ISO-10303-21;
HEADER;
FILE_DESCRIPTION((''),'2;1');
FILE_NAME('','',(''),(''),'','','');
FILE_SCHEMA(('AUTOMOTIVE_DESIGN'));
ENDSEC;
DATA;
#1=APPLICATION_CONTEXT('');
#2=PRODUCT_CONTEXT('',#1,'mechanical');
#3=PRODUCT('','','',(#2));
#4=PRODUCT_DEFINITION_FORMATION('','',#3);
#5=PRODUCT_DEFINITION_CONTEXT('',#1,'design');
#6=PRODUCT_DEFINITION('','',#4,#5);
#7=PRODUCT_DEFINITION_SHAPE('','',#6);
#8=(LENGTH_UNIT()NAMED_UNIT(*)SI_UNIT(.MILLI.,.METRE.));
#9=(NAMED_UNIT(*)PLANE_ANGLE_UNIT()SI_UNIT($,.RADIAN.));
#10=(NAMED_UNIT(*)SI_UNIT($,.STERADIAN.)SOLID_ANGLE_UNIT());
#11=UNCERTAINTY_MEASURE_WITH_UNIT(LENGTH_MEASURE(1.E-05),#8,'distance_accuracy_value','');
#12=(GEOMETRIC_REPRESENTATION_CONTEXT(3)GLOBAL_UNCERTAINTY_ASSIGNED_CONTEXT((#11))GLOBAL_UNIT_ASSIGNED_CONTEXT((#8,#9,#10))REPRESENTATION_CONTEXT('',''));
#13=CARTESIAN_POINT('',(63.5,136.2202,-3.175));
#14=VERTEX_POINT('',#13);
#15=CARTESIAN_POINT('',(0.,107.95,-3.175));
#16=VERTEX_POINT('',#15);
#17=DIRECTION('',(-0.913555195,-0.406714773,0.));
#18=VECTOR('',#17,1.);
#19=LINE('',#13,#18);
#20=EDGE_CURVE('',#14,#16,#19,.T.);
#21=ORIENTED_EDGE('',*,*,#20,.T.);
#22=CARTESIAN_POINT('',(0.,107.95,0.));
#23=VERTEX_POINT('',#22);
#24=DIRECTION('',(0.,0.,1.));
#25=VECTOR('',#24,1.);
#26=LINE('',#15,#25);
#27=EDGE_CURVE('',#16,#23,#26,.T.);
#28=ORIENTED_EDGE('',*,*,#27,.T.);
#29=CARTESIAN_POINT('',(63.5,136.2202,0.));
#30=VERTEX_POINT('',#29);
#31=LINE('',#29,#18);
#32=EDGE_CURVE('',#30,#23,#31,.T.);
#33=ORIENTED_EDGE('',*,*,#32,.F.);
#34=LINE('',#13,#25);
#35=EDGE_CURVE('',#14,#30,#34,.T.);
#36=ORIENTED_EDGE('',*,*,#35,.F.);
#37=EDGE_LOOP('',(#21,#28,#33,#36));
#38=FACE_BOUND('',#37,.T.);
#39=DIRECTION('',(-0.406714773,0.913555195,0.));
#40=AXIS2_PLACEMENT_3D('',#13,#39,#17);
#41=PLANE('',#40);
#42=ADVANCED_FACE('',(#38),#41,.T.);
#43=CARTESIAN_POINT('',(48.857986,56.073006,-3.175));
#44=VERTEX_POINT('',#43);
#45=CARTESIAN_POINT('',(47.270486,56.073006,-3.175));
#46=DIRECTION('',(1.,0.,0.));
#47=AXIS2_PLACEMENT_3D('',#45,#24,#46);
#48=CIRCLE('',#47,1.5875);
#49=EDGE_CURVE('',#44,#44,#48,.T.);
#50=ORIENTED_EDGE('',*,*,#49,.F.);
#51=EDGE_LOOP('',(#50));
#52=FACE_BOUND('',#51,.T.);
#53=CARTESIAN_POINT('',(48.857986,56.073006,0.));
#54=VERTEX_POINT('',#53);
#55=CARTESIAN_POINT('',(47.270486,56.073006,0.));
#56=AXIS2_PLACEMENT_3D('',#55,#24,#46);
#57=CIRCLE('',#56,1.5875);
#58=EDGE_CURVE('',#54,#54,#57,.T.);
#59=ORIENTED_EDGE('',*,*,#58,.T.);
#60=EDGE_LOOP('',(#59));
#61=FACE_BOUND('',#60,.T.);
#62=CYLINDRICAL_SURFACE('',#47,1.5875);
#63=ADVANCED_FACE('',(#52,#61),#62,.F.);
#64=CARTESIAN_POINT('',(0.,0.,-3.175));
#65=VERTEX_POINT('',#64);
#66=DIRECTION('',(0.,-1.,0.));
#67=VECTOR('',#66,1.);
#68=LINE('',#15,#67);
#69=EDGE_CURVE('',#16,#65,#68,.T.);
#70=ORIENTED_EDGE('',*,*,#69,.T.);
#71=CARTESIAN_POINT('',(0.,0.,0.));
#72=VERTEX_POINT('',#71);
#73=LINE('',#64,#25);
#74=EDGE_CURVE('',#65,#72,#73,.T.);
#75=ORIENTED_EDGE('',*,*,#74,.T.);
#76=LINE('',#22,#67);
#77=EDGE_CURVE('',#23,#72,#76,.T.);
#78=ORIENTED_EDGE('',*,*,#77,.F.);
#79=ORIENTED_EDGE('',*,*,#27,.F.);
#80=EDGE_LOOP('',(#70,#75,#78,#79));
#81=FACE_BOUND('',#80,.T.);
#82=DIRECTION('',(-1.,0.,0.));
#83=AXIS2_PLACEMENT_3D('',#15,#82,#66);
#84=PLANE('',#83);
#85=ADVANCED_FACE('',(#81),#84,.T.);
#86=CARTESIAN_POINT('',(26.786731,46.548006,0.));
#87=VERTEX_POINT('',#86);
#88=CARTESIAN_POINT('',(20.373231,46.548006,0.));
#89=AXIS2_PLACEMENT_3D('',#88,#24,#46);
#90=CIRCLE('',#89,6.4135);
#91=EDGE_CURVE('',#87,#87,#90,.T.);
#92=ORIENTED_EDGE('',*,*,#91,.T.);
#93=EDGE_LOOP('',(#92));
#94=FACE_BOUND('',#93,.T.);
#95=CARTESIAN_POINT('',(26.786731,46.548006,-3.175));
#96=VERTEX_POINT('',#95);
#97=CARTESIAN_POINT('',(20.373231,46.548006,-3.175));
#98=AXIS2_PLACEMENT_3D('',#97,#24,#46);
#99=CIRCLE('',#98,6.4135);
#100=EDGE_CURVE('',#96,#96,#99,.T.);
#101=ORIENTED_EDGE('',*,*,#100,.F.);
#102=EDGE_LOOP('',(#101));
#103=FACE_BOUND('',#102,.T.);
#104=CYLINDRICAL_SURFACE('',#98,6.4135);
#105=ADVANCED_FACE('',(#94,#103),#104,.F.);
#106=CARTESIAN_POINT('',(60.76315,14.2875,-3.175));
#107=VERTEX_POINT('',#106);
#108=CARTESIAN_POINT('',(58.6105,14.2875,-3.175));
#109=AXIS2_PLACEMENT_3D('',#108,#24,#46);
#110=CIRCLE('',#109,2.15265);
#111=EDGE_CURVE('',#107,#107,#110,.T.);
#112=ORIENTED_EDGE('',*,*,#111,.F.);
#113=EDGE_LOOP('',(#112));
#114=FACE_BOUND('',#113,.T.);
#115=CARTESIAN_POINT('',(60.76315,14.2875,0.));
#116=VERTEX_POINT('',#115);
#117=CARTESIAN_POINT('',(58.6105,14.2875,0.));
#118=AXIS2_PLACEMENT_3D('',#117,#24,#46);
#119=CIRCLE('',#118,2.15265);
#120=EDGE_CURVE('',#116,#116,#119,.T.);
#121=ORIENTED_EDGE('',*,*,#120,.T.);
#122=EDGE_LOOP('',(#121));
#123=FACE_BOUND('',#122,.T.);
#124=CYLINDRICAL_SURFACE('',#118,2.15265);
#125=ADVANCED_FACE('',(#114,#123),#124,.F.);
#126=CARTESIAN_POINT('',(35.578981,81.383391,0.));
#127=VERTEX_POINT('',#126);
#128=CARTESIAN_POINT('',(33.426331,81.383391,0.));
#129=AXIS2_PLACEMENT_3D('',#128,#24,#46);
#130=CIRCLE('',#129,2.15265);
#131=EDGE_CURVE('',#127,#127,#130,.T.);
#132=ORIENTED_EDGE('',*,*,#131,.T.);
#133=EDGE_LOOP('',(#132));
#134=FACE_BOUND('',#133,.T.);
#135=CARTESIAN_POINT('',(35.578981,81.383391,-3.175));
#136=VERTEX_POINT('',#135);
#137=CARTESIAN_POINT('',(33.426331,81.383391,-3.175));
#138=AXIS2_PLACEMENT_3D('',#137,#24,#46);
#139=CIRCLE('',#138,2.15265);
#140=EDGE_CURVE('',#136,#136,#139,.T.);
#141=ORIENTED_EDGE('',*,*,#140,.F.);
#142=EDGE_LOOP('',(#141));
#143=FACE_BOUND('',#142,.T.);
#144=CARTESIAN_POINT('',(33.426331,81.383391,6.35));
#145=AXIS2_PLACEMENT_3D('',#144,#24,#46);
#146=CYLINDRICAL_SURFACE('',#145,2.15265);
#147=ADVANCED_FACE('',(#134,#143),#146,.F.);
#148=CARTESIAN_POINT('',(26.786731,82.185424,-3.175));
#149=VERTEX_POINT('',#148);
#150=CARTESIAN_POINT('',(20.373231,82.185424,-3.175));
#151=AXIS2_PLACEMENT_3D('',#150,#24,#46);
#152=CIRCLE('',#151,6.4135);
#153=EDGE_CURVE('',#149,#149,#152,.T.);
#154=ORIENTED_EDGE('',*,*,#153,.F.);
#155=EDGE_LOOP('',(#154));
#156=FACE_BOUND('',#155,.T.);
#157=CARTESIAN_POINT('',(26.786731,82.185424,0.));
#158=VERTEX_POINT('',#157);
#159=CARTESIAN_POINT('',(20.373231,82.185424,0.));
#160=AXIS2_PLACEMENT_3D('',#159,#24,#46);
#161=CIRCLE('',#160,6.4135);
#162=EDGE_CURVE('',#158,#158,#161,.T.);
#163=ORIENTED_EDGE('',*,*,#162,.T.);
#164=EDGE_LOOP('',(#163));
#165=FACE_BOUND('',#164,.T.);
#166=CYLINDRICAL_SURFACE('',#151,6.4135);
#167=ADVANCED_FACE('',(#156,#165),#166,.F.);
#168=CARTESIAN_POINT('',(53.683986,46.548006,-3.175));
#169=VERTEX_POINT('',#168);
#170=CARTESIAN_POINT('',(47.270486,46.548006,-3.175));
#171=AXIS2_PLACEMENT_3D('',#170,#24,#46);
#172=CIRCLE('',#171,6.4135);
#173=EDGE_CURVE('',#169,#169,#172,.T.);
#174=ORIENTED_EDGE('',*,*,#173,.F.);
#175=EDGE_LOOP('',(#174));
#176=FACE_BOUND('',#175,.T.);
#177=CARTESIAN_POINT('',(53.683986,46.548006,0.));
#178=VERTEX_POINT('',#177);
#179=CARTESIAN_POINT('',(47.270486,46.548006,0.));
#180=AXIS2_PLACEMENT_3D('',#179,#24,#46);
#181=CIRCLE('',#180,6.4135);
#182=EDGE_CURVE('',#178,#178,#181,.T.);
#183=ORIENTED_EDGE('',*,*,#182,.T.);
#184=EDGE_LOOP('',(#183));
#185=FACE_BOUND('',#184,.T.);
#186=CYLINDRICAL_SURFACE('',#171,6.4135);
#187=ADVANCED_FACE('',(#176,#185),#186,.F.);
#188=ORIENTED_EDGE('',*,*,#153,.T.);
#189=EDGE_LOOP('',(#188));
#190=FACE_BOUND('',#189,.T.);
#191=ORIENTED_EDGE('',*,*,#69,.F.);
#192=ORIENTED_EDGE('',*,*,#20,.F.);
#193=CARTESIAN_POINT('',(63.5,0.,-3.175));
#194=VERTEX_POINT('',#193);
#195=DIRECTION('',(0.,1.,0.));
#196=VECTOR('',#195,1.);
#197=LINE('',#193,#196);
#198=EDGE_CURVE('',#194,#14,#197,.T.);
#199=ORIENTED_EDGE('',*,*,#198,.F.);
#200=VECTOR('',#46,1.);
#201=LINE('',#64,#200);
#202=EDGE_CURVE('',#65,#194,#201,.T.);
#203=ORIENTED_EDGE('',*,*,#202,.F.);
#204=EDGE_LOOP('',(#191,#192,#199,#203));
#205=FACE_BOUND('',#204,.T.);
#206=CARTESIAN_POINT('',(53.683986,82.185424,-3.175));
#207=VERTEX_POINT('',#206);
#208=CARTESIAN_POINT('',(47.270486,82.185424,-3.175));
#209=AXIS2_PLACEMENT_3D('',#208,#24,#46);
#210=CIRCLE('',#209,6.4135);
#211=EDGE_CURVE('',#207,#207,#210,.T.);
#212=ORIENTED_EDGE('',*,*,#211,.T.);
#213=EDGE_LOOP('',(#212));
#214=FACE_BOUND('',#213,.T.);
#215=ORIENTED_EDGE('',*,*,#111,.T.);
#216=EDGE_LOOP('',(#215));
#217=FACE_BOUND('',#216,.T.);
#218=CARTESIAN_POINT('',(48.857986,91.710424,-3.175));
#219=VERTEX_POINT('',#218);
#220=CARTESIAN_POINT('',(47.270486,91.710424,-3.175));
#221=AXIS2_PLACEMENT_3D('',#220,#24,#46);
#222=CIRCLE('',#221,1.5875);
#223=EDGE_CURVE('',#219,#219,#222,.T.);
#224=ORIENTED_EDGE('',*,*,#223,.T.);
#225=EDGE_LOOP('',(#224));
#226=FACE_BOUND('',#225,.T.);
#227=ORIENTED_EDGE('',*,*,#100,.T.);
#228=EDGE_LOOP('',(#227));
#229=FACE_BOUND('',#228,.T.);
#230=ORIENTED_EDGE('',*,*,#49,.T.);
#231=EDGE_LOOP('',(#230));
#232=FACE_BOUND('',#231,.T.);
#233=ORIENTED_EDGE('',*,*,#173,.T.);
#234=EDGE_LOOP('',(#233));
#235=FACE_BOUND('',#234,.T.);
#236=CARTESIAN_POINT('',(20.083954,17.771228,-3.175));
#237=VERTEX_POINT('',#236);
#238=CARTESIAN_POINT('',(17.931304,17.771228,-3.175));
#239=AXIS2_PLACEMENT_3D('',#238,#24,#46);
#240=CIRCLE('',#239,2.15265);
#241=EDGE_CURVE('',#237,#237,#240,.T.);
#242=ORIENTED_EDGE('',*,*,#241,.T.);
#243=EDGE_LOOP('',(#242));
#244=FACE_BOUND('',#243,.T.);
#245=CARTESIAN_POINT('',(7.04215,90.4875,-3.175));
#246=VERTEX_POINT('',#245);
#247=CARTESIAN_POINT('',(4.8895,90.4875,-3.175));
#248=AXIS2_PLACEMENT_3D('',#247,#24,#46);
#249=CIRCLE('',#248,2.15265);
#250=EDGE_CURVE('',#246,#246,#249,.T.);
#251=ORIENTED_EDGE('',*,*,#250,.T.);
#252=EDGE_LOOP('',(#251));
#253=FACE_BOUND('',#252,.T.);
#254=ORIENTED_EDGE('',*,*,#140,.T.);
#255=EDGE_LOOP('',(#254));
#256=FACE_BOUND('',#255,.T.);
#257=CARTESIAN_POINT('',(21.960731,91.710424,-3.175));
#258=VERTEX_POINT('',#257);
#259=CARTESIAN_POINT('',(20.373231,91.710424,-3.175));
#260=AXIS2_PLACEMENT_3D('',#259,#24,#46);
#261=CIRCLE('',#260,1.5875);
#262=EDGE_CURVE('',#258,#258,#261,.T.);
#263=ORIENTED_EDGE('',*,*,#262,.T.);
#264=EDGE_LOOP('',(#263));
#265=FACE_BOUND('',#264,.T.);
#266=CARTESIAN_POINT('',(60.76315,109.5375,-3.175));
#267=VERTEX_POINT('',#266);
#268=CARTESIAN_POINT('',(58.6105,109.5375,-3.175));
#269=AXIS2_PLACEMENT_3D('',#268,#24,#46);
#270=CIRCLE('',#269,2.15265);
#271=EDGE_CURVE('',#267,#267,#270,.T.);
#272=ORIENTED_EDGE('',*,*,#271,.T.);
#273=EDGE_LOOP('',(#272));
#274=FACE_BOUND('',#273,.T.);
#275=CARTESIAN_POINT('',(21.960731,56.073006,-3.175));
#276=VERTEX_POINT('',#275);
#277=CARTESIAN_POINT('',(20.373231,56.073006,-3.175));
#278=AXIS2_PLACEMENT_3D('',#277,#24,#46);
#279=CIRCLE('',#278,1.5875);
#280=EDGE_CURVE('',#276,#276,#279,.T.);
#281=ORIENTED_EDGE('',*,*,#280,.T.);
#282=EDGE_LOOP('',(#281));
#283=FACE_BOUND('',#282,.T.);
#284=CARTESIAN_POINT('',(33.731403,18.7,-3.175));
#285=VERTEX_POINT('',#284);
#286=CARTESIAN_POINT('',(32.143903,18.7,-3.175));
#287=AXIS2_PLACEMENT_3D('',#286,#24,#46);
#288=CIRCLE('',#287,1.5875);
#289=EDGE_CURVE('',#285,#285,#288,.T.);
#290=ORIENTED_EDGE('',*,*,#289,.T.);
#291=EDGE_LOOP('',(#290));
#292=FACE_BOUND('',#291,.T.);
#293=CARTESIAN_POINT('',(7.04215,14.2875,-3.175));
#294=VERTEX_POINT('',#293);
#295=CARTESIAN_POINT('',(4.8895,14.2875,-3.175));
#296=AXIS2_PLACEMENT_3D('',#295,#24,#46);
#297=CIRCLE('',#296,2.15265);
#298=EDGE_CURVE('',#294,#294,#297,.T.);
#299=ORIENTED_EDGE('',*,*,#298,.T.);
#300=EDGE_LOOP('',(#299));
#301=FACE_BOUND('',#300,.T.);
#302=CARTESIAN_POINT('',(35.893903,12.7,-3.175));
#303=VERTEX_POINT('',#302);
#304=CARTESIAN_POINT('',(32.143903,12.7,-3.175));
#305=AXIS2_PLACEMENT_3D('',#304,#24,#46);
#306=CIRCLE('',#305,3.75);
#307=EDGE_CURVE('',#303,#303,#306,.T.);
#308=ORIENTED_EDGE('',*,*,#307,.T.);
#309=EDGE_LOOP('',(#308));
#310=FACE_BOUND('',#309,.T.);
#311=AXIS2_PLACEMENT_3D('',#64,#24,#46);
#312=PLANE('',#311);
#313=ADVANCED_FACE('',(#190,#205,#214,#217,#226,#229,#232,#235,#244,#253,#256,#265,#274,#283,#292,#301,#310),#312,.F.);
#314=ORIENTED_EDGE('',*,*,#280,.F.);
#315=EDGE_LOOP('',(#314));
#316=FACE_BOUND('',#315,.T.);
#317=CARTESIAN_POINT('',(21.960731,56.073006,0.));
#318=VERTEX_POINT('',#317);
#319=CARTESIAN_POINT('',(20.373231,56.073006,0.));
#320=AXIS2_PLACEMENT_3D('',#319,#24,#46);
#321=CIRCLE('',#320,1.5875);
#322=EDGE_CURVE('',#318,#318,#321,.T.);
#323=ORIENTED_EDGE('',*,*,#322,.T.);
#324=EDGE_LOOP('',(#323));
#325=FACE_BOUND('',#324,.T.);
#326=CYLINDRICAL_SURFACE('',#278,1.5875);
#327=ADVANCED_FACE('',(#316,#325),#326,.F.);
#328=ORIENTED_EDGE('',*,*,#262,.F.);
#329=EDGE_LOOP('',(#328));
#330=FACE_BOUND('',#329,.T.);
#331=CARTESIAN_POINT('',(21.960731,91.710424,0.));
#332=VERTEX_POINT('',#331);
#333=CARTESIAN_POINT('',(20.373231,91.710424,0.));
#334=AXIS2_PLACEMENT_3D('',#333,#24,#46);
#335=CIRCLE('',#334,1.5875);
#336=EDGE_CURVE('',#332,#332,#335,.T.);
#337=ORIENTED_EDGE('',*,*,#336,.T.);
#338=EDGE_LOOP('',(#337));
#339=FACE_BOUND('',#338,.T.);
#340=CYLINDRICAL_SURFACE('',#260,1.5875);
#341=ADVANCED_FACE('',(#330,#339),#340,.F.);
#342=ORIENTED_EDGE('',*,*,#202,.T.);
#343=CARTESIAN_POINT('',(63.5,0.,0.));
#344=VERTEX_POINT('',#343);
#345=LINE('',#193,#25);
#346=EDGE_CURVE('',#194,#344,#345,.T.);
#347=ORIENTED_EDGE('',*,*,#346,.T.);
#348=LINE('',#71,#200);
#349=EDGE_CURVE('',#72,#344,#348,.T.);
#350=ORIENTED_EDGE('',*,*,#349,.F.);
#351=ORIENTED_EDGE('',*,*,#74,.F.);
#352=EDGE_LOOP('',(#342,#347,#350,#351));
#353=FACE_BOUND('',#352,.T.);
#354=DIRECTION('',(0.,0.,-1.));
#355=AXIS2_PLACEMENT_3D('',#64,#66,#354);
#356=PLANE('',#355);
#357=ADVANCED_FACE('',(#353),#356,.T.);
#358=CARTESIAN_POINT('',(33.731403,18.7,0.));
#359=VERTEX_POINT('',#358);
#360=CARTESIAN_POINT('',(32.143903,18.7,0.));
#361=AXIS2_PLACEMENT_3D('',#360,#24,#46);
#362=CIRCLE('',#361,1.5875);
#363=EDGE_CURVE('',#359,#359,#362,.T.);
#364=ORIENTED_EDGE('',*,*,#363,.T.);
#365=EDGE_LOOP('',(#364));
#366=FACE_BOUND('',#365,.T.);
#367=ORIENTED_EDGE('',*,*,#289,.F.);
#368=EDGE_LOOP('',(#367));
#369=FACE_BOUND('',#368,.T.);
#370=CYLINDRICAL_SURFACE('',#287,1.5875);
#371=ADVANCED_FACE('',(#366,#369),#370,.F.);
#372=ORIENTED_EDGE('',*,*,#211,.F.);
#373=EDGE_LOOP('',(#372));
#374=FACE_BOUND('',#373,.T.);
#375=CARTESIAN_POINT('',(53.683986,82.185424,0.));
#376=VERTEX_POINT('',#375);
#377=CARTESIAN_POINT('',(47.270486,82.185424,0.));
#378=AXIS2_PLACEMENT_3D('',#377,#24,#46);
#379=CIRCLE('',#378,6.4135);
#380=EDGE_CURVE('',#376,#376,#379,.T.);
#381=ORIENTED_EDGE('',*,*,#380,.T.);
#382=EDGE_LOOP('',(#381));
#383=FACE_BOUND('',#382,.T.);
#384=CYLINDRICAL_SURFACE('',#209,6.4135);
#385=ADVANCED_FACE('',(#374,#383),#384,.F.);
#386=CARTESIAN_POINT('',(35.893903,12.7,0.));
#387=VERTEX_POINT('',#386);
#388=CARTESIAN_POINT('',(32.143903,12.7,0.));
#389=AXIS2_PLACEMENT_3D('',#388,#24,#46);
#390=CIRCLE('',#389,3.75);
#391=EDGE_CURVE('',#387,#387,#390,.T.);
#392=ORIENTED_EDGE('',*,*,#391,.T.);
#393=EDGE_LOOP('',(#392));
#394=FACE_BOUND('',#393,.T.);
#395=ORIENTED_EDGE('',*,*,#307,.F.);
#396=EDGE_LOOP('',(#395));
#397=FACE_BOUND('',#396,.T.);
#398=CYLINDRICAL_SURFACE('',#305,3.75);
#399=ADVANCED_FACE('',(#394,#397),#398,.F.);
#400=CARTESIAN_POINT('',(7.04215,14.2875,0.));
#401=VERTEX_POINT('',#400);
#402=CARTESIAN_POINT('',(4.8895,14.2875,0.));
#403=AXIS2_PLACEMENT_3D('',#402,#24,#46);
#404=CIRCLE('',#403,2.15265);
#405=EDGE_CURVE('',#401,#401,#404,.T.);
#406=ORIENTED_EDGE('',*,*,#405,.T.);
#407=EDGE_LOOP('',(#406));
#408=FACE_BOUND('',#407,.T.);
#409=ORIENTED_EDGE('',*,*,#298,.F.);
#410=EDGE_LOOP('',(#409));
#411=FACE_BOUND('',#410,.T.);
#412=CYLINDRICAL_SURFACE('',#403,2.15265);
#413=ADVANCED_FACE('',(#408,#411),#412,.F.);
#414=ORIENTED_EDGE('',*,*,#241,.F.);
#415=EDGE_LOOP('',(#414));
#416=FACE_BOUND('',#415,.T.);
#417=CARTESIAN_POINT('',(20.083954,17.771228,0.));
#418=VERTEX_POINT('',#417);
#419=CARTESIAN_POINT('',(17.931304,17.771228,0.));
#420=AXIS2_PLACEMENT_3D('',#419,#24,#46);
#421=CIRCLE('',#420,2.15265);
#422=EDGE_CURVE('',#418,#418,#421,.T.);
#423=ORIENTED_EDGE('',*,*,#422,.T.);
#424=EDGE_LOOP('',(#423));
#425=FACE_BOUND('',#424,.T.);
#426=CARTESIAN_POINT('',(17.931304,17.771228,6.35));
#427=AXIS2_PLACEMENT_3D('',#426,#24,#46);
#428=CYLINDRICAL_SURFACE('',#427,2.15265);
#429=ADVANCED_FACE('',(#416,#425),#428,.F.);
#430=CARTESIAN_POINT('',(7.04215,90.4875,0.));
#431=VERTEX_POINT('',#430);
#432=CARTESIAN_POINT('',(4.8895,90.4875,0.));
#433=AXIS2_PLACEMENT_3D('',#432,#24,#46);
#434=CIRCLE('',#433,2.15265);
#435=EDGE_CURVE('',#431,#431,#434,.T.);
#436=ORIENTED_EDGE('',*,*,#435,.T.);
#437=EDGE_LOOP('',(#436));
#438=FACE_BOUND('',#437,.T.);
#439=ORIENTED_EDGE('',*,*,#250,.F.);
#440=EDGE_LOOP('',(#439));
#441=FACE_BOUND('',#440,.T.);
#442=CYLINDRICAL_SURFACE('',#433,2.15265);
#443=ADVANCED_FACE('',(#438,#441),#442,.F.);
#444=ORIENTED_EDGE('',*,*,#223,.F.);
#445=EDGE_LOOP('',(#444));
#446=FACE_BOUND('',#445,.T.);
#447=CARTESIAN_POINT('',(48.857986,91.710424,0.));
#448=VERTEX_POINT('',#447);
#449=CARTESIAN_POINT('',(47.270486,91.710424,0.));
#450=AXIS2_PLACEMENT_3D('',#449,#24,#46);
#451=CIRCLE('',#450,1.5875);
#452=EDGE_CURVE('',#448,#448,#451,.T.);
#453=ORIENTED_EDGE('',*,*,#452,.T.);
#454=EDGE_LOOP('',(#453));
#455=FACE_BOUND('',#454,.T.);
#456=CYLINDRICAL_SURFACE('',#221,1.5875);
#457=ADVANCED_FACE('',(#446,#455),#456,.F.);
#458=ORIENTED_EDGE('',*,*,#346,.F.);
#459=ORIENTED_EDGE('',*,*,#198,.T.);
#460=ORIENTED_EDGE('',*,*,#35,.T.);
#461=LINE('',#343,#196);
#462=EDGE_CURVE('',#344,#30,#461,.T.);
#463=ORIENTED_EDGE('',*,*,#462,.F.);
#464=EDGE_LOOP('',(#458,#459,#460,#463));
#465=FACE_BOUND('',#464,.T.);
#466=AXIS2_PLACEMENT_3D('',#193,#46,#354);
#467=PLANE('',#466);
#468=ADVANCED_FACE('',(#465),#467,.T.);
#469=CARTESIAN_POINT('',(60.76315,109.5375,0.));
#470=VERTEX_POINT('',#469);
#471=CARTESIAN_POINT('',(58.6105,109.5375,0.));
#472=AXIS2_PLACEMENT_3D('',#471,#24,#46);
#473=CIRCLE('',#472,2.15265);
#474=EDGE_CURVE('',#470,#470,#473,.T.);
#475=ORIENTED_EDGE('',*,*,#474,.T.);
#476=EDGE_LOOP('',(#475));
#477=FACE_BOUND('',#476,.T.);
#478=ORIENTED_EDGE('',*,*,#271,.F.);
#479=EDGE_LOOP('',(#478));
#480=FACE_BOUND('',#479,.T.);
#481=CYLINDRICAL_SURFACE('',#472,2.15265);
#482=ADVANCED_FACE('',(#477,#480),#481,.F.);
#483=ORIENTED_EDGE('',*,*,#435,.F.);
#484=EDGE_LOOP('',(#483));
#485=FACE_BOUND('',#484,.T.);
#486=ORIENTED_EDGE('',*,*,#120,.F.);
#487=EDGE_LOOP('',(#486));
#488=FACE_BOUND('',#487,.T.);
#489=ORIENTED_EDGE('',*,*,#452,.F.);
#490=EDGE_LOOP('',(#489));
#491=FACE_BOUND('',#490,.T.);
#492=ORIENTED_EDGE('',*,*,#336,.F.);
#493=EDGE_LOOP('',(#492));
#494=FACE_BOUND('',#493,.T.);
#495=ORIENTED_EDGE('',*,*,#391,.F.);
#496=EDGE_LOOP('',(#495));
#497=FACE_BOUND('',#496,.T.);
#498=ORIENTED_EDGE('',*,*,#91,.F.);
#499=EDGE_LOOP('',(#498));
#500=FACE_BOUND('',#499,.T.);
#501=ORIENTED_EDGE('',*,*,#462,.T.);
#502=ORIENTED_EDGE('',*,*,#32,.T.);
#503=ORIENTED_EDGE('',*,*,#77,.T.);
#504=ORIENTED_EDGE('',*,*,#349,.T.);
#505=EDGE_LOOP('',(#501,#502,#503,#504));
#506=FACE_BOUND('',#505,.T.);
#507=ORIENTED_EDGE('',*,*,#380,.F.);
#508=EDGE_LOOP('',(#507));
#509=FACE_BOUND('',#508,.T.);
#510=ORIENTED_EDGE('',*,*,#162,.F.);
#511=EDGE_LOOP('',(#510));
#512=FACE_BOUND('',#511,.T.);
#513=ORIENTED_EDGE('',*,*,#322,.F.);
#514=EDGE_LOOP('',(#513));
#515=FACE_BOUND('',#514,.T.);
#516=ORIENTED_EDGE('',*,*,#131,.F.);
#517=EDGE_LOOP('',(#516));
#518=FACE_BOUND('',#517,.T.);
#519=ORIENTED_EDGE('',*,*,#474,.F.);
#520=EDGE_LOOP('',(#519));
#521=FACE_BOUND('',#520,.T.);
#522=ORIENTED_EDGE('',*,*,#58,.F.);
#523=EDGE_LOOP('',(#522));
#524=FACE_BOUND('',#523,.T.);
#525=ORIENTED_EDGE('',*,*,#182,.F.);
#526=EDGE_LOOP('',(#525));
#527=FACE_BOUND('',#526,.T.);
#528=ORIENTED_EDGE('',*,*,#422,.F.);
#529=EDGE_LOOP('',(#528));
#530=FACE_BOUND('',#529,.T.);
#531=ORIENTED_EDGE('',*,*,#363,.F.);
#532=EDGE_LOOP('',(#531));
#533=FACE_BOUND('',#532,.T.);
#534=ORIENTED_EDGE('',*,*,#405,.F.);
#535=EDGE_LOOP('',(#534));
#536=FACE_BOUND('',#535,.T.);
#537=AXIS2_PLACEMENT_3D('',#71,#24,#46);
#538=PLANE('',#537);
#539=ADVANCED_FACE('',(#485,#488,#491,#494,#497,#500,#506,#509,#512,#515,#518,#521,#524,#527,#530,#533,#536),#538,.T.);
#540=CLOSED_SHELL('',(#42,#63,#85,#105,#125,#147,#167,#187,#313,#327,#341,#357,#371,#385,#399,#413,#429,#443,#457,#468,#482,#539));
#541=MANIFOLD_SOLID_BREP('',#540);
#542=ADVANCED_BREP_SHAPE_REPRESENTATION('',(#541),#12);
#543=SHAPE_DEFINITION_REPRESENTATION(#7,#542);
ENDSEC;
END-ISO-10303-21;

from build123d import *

# Parameters (mm, degrees)
BOSS_EXTRUDE1_DEPTH   = 3.175
F_6_CLEARANCE_HOLE1_D = 4.3053
SKETCH8_R             = 1.5875
SKETCH8_R_2           = 3.75
SKETCH8_R_3           = 6.4135
CUT_EXTRUDE1_DEPTH    = 4.175
F_6_CLEARANCE_HOLE2_D = 4.3053


with BuildPart() as part:
    # Sketch1 → Boss-Extrude1 (new body)
    with BuildSketch(Plane.XY):
        Polygon((0, 107.95), (0, 0), (63.5, 0), (63.5, 136.2202), align=None)
    extrude(amount=-BOSS_EXTRUDE1_DEPTH)

    # #6 Clearance Hole1 (through all)
    with Locations(Plane.XY):
        with Locations((58.6105, 14.2875), (4.8895, 14.2875), (4.8895, 90.4875), (58.6105, 109.5375)):
            Hole(F_6_CLEARANCE_HOLE1_D / 2)

    # Sketch8 → Cut-Extrude1 (cut, through all)
    with BuildSketch(Plane.XY):
        with Locations((20.373230618, 91.71042385)):
            Circle(SKETCH8_R)
        with Locations((47.270485986, 91.71042385)):
            Circle(SKETCH8_R)
        with Locations((47.270485986, 56.073006151)):
            Circle(SKETCH8_R)
        with Locations((32.1439032, 12.7)):
            Circle(SKETCH8_R_2)
        with Locations((20.373230618, 56.073006151)):
            Circle(SKETCH8_R)
        with Locations((32.1439032, 18.7)):
            Circle(SKETCH8_R)
        with Locations((47.270485986, 46.548006151)):
            Circle(SKETCH8_R_3)
        with Locations((47.270485986, 82.18542385)):
            Circle(SKETCH8_R_3)
        with Locations((20.373230618, 82.18542385)):
            Circle(SKETCH8_R_3)
        with Locations((20.373230618, 46.548006151)):
            Circle(SKETCH8_R_3)
    extrude(amount=-CUT_EXTRUDE1_DEPTH, mode=Mode.SUBTRACT)

    # #6 Clearance Hole2 (through all)
    with Locations(Plane(origin=(31.75, 0, 6.35), x_dir=(1, 0, 0), z_dir=(0, 0, 1))):
        with Locations((1.676331213, 81.383391323), (-13.818696068, 17.771227958)):
            Hole(F_6_CLEARANCE_HOLE2_D / 2)


solid = part.part
